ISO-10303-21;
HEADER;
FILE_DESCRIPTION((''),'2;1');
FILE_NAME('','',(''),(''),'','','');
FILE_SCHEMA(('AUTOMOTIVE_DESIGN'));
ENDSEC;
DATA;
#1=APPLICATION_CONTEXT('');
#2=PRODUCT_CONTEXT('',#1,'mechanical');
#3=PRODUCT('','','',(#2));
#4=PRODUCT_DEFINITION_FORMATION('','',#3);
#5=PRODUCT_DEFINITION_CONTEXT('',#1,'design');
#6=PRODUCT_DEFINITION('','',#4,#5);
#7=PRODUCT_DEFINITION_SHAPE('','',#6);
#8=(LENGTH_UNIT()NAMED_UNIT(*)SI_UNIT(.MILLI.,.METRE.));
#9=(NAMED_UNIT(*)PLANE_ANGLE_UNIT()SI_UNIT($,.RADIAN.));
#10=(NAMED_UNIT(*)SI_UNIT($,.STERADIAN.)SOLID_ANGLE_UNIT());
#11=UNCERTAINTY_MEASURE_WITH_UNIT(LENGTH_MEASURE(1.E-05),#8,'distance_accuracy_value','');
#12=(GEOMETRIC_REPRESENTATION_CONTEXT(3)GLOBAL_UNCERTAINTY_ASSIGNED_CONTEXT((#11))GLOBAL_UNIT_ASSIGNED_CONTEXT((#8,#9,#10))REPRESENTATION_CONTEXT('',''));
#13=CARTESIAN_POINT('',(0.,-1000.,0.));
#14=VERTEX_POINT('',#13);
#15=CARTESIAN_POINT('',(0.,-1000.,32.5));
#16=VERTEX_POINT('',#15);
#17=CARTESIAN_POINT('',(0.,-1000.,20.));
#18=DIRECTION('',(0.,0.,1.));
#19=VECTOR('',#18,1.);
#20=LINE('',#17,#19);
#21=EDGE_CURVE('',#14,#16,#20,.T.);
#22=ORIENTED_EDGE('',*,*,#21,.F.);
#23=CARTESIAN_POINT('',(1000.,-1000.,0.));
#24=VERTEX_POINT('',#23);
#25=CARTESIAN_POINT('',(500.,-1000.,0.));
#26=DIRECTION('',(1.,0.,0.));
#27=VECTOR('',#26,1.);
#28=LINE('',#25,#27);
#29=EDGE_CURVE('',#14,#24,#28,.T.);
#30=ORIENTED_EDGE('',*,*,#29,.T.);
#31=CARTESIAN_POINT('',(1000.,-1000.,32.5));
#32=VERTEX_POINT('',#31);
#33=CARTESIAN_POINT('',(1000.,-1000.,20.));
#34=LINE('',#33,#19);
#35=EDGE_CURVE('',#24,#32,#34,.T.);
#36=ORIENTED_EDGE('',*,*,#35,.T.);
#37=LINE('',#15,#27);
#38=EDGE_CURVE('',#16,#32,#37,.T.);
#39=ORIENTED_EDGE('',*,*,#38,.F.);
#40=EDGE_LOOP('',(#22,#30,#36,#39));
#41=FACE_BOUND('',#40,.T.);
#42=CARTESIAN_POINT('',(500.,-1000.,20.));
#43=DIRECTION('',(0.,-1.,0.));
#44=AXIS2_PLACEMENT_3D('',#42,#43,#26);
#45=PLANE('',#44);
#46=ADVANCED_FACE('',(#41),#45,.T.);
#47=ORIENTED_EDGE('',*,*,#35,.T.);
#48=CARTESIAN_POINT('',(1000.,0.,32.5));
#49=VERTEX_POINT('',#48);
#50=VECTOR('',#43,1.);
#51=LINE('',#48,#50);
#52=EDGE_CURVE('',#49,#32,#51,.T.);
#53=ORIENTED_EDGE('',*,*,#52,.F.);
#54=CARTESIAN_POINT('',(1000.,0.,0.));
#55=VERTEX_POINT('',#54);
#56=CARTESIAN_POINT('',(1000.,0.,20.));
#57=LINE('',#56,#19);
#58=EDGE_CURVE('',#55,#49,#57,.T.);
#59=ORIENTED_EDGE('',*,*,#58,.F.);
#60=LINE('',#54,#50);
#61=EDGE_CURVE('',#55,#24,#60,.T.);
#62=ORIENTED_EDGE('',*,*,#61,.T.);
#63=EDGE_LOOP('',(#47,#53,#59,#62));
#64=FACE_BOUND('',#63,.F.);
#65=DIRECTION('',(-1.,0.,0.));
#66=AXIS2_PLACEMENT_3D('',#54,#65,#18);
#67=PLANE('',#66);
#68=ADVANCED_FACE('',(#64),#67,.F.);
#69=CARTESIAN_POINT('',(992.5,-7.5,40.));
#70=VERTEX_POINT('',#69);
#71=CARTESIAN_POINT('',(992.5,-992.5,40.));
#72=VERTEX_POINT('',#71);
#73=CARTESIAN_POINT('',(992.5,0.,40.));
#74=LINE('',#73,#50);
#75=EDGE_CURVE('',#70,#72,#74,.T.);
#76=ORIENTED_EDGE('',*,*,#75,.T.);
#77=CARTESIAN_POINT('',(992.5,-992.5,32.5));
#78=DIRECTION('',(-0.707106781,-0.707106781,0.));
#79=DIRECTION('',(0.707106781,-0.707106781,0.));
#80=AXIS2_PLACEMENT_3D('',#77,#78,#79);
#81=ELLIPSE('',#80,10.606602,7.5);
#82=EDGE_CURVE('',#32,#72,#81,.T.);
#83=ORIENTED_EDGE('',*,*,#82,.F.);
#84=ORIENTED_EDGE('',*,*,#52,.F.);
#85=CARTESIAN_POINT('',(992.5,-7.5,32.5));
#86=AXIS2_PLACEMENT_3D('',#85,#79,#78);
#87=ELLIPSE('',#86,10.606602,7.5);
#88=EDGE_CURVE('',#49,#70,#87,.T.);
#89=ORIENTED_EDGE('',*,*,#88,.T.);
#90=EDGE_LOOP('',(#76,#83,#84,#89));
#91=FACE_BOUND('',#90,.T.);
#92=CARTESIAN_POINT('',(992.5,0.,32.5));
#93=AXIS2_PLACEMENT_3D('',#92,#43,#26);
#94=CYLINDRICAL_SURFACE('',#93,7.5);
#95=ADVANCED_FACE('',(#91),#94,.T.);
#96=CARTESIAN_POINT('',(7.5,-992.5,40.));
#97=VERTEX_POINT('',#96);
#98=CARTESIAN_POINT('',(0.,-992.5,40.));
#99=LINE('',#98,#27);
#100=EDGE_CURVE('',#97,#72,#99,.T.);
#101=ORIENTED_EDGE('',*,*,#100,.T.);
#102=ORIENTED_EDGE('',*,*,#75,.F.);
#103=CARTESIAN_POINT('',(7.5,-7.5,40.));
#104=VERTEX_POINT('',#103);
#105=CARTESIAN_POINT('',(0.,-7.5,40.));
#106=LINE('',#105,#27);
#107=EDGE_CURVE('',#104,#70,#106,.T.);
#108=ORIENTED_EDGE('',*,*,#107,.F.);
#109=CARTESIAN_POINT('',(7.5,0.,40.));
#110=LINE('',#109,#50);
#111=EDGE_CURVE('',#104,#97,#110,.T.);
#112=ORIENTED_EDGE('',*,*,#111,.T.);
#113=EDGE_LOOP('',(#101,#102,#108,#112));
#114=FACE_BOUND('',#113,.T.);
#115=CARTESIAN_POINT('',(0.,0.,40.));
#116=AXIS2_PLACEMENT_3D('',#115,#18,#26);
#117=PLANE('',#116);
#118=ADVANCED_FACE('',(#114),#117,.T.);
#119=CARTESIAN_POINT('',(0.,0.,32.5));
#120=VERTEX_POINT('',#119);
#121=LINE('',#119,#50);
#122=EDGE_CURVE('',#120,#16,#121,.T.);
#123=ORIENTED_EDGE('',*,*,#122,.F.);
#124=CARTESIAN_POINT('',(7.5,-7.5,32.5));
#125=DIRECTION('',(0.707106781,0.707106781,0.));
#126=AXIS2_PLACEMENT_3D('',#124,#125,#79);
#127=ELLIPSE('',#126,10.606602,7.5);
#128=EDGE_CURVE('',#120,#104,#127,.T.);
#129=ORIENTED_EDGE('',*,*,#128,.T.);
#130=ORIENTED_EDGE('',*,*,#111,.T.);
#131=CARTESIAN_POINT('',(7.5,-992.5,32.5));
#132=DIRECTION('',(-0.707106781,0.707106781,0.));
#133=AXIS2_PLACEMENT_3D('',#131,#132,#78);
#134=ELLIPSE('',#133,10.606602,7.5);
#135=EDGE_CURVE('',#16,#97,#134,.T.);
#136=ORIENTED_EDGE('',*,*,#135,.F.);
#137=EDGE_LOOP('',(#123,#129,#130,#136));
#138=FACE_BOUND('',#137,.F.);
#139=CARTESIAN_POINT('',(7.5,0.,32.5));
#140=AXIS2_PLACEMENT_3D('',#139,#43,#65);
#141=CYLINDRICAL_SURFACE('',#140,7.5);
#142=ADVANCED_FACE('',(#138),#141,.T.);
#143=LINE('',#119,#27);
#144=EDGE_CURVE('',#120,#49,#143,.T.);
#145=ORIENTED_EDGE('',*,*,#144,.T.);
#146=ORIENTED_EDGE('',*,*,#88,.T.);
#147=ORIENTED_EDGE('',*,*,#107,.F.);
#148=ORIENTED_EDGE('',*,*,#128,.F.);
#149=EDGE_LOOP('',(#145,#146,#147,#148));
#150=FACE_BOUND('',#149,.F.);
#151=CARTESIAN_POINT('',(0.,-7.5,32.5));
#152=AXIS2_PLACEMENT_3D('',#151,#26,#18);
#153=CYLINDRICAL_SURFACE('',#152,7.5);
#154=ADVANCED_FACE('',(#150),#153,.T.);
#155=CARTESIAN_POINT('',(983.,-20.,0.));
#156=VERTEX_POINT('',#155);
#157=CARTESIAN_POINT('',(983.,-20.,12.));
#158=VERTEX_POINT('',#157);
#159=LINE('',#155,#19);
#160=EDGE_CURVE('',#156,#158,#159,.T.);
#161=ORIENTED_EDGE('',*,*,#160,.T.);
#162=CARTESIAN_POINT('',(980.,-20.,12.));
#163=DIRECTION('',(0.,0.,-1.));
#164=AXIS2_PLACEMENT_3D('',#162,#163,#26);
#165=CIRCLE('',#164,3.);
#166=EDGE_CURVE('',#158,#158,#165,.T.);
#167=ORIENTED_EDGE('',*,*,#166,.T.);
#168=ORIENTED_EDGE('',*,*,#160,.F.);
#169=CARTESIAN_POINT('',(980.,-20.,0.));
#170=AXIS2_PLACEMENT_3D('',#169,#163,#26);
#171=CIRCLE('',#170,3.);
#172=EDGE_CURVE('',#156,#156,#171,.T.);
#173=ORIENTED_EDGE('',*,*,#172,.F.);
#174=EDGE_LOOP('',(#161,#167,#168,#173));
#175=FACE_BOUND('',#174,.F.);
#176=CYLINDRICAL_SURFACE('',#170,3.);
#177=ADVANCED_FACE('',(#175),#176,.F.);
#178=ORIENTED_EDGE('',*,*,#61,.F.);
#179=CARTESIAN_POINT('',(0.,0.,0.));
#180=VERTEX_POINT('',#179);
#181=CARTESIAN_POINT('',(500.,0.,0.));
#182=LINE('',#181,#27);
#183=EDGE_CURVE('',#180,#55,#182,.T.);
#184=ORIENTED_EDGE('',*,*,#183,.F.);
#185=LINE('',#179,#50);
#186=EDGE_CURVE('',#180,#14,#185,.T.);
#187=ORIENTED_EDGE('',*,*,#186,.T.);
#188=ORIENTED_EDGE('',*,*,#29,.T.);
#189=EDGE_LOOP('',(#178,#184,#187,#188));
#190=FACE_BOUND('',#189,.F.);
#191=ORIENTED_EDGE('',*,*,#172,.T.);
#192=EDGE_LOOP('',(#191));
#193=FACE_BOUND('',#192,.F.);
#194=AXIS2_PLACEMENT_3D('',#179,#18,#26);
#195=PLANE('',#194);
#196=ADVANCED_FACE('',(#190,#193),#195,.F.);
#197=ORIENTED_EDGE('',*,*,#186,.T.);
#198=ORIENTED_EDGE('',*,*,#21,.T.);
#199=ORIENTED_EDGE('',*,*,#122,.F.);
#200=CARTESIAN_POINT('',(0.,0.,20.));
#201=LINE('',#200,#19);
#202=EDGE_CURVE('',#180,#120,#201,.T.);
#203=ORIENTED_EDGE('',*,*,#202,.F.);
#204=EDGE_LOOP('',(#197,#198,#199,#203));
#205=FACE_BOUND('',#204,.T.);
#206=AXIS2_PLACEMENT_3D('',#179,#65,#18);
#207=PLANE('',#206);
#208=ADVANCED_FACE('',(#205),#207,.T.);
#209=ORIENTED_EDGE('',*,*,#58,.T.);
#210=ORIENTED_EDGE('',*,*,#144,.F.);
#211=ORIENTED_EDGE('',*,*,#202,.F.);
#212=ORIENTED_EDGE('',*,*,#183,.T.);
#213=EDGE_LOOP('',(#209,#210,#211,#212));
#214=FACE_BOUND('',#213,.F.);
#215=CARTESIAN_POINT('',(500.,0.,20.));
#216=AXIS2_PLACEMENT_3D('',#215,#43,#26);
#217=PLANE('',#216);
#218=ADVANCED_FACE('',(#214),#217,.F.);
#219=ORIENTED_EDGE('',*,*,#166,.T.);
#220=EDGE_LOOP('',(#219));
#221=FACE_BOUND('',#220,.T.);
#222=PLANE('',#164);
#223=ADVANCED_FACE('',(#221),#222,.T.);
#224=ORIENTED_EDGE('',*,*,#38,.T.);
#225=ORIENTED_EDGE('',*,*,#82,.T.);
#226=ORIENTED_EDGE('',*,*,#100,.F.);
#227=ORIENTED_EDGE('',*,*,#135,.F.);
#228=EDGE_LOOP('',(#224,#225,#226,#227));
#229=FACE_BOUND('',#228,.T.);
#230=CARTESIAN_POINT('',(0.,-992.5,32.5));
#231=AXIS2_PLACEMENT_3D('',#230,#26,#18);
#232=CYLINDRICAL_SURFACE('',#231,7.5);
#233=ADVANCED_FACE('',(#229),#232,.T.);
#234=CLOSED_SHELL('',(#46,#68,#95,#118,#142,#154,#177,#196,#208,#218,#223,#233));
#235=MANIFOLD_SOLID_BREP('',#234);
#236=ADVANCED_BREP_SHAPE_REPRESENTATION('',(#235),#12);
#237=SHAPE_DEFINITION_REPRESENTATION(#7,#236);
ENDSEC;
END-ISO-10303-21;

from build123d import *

# Parameters (mm, degrees)
F0_W     = 1000
F0_H     = 40
F1_DEPTH = 1000
F2_R     = 7.5
F3_R     = 3
F4_DEPTH = 12


with BuildPart() as f1:
    # F0 (on Front) → F1 (new body)
    with BuildSketch(Plane.XZ):
        with Locations((500, 20)):
            Rectangle(F0_W, F0_H)
    extrude(amount=F1_DEPTH)

    # F2
    f2_edges = [f1.edges().sort_by_distance(p)[0] for p in [
        (1000, -500, 40),
        (0, -500, 40),
        (500, 0, 40),
        (500, -1000, 40),
    ]]
    fillet(f2_edges, radius=F2_R)

    # F3 (on face) → F4 (cut)
    with BuildSketch(Plane(origin=(0, 0, 0), x_dir=(1, 0, 0), z_dir=(0, 0, -1))):
        with Locations((980, 20)):
            Circle(F3_R)
    extrude(amount=-F4_DEPTH, mode=Mode.SUBTRACT)


solid = f1.part
